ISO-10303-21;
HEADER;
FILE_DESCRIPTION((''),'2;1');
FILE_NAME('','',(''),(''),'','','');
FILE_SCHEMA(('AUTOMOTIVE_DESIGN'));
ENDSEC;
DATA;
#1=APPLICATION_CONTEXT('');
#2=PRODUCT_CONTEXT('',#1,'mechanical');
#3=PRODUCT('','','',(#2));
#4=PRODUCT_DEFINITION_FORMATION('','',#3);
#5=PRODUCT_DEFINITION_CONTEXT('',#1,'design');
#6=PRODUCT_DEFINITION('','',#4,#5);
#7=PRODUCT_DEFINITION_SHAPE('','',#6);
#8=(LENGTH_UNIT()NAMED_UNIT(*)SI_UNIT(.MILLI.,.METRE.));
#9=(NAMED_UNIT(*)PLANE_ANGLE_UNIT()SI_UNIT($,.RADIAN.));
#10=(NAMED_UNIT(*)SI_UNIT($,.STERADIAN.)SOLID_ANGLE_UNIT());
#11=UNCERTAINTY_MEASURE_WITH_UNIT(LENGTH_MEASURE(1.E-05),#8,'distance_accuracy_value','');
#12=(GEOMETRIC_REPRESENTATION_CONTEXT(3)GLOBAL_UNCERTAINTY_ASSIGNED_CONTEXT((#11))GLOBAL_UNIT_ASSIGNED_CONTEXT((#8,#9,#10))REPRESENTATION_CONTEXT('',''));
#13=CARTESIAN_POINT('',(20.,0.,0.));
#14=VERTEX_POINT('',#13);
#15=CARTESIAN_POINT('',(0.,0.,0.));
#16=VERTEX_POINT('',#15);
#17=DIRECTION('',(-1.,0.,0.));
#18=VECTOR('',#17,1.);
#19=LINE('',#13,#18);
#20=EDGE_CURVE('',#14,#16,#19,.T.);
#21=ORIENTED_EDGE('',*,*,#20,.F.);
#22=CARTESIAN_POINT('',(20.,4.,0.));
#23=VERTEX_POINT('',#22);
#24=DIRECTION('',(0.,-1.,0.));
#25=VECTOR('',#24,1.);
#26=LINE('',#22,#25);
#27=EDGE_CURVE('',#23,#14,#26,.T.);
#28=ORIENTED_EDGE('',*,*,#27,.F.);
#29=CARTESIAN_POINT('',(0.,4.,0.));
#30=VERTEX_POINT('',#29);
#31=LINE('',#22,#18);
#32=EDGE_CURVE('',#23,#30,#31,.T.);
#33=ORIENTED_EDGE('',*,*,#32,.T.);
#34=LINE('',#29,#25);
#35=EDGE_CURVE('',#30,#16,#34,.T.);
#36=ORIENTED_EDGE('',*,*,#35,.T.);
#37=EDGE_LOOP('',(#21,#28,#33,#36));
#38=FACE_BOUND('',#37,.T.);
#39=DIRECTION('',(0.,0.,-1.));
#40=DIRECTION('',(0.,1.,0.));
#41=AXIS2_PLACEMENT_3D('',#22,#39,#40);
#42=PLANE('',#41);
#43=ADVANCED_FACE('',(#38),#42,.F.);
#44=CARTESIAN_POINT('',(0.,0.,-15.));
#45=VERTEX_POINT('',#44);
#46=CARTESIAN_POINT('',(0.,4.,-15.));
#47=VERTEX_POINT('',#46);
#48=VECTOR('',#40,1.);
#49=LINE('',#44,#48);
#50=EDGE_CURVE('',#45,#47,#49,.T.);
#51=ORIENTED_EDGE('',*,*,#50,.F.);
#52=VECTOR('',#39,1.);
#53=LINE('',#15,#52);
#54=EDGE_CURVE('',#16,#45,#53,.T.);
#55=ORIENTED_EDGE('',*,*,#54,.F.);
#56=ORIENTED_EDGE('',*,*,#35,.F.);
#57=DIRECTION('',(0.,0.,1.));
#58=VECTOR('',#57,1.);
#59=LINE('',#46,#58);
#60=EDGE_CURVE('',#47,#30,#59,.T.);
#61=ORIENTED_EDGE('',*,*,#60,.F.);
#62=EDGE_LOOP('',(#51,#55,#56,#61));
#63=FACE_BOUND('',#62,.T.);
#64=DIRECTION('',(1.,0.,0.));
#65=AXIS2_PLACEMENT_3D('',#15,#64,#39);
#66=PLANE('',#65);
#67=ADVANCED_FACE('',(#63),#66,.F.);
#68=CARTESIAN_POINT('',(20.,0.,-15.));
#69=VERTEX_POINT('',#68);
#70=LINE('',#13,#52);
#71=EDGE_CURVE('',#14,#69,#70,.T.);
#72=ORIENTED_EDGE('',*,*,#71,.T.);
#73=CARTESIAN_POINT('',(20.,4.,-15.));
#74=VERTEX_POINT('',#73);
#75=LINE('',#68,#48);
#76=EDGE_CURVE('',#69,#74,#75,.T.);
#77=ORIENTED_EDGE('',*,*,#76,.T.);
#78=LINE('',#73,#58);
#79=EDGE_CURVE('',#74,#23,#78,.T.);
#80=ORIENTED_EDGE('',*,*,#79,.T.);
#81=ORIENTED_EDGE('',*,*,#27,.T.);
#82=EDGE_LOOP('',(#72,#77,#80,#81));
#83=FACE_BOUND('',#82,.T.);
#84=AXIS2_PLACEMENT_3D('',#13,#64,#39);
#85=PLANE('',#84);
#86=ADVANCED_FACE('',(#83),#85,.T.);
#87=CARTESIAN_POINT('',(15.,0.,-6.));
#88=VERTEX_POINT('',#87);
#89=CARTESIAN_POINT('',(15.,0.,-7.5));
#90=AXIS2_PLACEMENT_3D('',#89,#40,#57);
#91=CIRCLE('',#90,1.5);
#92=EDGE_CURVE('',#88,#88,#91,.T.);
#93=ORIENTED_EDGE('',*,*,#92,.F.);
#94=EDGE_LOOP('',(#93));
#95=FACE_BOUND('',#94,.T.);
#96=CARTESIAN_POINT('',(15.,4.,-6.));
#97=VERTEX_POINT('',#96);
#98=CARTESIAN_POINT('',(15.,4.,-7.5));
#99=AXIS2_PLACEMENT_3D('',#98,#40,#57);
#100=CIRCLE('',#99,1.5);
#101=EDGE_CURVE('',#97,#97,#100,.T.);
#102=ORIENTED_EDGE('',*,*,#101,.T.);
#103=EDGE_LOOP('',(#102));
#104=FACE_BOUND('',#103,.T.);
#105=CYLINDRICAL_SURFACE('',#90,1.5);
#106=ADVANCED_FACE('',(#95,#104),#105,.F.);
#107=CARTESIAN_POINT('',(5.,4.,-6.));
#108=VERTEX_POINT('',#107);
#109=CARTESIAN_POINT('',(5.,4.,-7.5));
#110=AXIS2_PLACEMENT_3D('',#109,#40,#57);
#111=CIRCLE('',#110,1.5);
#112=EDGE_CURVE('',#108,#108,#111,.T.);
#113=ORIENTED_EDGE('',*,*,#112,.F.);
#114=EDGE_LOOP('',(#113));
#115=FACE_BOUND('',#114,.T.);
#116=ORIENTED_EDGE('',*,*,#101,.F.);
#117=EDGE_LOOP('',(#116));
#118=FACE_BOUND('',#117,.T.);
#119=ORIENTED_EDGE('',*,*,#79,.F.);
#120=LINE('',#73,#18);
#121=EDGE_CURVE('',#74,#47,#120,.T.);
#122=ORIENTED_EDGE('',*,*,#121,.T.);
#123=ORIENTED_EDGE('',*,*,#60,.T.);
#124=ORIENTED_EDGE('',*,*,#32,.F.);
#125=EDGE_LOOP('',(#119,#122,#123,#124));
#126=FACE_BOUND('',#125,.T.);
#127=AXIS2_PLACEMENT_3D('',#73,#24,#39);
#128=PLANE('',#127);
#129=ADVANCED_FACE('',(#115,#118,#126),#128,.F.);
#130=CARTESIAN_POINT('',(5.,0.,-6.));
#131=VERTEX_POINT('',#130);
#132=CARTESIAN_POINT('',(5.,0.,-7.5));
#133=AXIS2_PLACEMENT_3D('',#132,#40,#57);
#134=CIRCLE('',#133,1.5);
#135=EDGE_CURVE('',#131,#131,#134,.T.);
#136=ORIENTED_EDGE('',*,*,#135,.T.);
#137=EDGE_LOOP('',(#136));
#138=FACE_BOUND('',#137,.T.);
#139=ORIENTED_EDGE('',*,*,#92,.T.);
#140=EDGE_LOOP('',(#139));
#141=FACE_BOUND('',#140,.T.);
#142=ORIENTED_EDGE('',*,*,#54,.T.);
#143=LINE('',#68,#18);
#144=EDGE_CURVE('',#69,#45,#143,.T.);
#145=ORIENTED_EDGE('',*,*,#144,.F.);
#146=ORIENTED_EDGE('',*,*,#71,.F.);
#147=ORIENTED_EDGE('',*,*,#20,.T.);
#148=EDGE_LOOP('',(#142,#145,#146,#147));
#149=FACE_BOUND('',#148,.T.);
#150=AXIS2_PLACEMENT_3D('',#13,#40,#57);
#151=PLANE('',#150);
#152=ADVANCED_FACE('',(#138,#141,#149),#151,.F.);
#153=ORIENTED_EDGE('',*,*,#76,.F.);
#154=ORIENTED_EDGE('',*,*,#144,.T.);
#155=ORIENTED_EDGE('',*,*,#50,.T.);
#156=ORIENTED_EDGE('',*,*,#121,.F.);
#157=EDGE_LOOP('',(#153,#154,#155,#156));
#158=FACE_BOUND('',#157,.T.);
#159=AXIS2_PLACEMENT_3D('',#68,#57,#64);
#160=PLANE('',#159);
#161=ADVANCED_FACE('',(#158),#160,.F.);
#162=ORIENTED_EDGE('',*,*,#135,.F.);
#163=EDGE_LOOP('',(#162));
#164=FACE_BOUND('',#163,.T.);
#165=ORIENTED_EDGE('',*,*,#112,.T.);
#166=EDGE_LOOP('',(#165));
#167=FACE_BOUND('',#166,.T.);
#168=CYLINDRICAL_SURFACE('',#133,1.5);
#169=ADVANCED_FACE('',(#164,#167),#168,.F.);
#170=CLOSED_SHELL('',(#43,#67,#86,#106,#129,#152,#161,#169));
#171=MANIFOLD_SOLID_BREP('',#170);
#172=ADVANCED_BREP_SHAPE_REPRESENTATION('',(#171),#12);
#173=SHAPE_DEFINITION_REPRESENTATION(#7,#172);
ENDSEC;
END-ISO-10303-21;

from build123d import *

# Parameters (mm, degrees)
SKETCH2_W                    = 15
SKETCH2_H                    = 4
PROFILEBOSS_EXTRUDE1_DEPTH   = 20
MOUNTHOLESSKETCH5_R          = 1.5
MOUNTHOLESCUT_EXTRUDE2_DEPTH = 26.317977802


with BuildPart() as part:
    # Sketch2 → ProfileBoss-Extrude1 (new body)
    with BuildSketch(Plane(origin=(0, 0, 0), x_dir=(0, 0, -1), z_dir=(1, 0, 0))):
        with Locations((7.5, 2)):
            Rectangle(SKETCH2_W, SKETCH2_H)
    extrude(amount=PROFILEBOSS_EXTRUDE1_DEPTH)

    # MountHolesSketch5 → MountHolesCut-Extrude2 (cut, through all)
    with BuildSketch(Plane(origin=(0, 4, 0), x_dir=(1, 0, 0), z_dir=(0, 1, 0))):
        with Locations(Location((5, 7.5, 0), (0, 0, 270))):
            Circle(MOUNTHOLESSKETCH5_R)
        with Locations(Location((15, 7.5, 0), (0, 0, 270))):
            Circle(MOUNTHOLESSKETCH5_R)
    extrude(amount=-MOUNTHOLESCUT_EXTRUDE2_DEPTH, mode=Mode.SUBTRACT)


solid = part.part
